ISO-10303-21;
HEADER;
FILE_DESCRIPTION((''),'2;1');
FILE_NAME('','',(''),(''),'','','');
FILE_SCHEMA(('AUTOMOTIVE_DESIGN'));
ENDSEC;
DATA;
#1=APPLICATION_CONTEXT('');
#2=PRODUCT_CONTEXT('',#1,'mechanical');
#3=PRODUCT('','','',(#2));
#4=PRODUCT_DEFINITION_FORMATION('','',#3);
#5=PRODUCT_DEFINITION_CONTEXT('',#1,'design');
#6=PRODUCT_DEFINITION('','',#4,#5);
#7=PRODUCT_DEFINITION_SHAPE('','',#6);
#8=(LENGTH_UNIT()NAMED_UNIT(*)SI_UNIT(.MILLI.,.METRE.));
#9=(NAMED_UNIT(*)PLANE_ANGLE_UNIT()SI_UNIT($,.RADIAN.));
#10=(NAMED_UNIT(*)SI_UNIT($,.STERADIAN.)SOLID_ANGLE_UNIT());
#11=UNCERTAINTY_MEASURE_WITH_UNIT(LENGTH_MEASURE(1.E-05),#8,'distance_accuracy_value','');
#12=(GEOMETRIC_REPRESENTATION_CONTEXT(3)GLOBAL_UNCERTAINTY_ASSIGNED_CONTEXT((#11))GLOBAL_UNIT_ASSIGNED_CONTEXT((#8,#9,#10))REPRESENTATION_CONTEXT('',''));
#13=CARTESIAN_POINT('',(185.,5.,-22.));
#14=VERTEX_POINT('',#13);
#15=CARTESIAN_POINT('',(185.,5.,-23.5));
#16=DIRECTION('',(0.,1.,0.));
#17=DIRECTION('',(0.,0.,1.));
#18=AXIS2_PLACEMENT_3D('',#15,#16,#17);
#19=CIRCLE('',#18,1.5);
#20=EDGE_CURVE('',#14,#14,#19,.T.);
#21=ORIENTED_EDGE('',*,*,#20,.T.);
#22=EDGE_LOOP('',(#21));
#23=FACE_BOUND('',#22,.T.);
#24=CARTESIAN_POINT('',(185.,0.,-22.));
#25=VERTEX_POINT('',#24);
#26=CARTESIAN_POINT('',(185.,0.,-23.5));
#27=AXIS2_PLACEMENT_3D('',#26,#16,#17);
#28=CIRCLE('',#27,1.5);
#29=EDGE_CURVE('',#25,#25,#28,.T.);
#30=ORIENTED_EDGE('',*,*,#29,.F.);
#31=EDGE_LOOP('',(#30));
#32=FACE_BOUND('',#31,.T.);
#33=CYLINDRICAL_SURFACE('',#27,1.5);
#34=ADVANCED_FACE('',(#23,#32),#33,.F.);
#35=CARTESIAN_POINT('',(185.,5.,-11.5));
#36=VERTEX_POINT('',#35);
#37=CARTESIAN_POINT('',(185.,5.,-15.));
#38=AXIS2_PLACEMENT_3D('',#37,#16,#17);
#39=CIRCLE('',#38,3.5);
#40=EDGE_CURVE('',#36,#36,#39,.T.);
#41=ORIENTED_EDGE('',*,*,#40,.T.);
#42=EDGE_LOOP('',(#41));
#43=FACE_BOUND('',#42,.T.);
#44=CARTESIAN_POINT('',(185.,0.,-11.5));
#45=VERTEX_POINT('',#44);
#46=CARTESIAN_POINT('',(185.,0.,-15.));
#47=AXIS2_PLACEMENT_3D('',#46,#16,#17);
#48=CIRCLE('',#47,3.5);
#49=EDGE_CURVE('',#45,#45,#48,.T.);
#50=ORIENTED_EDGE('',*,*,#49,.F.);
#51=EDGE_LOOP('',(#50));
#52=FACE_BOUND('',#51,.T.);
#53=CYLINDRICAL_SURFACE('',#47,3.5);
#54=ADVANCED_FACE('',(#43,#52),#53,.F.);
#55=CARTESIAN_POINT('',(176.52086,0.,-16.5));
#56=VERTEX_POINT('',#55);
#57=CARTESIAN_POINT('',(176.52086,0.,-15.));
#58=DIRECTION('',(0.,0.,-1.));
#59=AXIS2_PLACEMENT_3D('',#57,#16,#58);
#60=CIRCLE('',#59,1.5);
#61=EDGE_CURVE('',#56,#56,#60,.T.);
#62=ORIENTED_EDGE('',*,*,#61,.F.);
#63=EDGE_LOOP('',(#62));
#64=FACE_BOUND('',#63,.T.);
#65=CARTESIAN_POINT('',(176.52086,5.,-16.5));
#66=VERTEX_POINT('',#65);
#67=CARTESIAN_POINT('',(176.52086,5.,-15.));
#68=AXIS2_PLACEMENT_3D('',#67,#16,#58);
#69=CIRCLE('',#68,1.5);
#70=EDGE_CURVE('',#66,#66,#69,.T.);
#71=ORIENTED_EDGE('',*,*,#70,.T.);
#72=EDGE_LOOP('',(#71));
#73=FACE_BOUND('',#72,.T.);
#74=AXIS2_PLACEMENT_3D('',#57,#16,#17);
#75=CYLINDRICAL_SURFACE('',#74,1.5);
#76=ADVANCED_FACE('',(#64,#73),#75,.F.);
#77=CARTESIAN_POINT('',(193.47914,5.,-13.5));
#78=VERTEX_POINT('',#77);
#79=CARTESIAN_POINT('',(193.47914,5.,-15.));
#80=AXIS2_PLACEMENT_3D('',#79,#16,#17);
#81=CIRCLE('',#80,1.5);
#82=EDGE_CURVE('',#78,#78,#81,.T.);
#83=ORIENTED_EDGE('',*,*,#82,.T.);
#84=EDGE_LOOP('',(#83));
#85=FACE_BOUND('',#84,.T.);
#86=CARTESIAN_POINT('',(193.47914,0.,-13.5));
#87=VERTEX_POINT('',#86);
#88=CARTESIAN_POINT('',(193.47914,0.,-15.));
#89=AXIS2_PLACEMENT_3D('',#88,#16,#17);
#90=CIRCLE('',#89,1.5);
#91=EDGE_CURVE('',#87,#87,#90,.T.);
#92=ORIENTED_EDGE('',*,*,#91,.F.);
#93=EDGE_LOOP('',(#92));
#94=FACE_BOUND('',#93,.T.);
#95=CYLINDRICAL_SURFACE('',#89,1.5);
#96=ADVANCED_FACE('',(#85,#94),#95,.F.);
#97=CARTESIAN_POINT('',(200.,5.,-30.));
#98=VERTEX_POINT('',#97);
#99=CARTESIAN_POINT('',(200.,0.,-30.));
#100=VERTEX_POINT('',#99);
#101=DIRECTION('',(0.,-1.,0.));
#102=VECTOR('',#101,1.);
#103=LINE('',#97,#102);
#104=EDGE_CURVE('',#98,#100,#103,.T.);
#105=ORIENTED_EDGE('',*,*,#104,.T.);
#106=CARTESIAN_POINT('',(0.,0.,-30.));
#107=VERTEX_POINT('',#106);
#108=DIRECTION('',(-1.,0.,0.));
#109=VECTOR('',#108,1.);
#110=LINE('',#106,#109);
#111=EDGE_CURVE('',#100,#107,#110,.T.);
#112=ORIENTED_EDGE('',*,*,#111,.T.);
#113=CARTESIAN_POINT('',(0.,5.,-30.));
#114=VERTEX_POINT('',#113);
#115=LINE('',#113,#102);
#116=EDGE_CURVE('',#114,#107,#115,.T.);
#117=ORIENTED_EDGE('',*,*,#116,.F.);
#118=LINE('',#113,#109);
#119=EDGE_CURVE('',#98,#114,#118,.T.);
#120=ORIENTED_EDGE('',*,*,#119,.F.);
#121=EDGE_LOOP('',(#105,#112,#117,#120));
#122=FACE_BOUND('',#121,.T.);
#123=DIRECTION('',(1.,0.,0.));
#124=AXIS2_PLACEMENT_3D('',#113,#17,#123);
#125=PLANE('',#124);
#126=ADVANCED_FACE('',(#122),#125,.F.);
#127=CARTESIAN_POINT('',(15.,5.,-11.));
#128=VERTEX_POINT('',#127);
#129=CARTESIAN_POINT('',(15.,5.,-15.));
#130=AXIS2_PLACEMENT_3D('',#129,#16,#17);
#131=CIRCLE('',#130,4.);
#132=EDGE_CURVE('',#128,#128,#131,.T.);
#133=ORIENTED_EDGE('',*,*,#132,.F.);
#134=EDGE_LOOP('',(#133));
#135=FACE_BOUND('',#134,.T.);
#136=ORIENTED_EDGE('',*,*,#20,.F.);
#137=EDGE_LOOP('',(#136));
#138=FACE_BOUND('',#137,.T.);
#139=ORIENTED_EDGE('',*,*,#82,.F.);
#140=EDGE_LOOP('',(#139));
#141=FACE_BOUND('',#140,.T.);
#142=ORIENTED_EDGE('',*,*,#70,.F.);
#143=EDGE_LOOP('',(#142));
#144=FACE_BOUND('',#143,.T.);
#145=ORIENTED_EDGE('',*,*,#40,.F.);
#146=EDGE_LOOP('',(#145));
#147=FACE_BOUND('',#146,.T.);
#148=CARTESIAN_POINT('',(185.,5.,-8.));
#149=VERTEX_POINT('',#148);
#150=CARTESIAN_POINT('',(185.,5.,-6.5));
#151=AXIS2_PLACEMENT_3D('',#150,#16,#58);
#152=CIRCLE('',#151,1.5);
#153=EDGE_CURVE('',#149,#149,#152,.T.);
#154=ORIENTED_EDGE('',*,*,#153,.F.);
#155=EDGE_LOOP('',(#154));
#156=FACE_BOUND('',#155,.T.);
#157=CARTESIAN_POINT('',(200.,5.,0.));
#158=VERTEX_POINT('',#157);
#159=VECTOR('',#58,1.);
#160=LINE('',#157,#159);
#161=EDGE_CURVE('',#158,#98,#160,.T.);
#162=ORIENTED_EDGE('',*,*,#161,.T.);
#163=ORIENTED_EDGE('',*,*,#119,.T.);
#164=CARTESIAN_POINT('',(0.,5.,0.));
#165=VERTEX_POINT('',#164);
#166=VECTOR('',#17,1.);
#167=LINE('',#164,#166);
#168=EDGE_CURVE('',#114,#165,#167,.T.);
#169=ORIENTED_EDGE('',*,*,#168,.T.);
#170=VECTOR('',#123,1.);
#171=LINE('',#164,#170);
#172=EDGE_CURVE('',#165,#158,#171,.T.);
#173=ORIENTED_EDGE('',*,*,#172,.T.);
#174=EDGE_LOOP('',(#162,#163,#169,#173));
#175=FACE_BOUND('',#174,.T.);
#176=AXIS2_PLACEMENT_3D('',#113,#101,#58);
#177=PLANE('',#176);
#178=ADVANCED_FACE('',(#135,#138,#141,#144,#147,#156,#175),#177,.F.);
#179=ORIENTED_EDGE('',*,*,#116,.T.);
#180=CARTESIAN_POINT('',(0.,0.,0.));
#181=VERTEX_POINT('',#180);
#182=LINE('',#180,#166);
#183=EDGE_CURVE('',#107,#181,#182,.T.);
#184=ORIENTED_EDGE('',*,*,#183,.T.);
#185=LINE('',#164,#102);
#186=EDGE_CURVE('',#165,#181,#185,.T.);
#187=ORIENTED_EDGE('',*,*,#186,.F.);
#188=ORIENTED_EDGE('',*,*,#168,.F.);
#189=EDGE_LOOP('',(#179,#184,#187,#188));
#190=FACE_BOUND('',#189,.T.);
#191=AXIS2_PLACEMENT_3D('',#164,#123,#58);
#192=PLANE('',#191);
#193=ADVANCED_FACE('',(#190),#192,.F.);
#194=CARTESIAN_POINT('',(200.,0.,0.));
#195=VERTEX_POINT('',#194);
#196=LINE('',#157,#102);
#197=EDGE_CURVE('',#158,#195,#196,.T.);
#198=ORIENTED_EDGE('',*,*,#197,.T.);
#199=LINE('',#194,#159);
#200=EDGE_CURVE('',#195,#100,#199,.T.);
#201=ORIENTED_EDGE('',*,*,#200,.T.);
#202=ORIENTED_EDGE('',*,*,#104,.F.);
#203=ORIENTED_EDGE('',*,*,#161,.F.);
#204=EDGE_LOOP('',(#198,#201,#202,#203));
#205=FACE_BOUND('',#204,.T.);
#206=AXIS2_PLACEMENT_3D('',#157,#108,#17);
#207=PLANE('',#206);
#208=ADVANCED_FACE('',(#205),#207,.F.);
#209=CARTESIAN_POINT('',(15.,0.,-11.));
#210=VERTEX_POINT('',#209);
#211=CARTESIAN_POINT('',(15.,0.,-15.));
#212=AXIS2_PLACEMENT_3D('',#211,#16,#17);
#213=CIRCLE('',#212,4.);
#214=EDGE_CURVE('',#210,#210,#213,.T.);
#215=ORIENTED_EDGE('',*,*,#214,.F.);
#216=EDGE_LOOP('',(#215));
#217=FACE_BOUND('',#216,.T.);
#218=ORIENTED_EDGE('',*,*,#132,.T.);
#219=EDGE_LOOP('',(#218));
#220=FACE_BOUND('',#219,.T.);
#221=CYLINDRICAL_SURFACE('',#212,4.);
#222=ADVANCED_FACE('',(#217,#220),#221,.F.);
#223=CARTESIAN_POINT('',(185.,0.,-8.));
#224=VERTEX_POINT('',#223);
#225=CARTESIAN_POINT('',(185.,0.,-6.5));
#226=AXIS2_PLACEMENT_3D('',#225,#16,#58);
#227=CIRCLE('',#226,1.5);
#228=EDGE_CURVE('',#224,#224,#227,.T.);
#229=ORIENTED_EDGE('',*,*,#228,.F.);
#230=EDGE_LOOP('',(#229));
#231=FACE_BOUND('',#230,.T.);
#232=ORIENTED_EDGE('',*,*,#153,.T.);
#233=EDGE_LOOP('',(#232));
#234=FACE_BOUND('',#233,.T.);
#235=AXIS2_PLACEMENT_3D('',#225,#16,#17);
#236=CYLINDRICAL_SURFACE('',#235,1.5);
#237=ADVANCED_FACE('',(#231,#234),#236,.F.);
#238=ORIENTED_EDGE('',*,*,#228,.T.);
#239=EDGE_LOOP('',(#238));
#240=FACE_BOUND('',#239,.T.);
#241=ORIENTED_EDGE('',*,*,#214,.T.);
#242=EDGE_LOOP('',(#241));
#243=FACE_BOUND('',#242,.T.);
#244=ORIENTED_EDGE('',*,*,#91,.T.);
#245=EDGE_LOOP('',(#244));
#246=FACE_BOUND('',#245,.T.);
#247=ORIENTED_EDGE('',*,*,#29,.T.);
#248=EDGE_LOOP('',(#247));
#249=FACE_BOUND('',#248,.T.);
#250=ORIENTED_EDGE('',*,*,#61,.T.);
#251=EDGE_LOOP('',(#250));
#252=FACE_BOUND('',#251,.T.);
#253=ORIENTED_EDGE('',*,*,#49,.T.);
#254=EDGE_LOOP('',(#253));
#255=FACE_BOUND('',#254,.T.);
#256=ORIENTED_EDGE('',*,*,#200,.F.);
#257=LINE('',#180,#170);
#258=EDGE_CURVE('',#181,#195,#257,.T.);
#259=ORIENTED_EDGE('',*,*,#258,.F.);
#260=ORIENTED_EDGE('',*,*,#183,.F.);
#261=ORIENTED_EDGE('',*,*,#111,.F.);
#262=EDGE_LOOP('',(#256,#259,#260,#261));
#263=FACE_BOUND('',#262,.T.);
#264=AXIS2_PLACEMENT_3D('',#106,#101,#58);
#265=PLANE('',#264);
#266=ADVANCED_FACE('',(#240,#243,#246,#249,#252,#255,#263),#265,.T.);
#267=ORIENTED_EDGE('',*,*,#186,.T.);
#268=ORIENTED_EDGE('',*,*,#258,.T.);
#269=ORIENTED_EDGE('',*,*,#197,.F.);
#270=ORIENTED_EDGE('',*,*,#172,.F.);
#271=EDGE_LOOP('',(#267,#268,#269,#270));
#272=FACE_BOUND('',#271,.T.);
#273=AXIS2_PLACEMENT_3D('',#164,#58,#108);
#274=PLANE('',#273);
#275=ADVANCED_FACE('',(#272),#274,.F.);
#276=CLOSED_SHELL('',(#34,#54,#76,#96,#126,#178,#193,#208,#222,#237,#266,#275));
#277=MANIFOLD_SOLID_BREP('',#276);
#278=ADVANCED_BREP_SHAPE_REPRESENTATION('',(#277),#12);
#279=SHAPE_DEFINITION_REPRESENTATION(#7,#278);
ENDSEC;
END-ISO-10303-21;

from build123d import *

# Parameters (mm, degrees)
SKETCH1_W           = 200
SKETCH1_H           = 30
BOSS_EXTRUDE1_DEPTH = 5
SKETCH2_R           = 4
SKETCH2_R_2         = 3.5
SKETCH2_R_3         = 1.5
CUT_EXTRUDE1_DEPTH  = 5


with BuildPart() as part:
    # Sketch1 → Boss-Extrude1 (new body)
    with BuildSketch(Plane(origin=(0, 0, 0), x_dir=(1, 0, 0), z_dir=(0, 1, 0))):
        with Locations((100, 15)):
            Rectangle(SKETCH1_W, SKETCH1_H)
    extrude(amount=BOSS_EXTRUDE1_DEPTH)

    # Sketch2 → Cut-Extrude1 (cut)
    with BuildSketch(Plane(origin=(0, 5, 0), x_dir=(1, 0, 0), z_dir=(0, 1, 0))):
        with Locations((15, 15)):
            Circle(SKETCH2_R)
        with Locations((185, 15)):
            Circle(SKETCH2_R_2)
        with Locations((185, 23.5)):
            Circle(SKETCH2_R_3)
        with Locations((193.479139517, 15)):
            Circle(SKETCH2_R_3)
        with Locations((176.520860483, 15)):
            Circle(SKETCH2_R_3)
        with Locations((185, 6.5)):
            Circle(SKETCH2_R_3)
    extrude(amount=-CUT_EXTRUDE1_DEPTH, mode=Mode.SUBTRACT)


solid = part.part
